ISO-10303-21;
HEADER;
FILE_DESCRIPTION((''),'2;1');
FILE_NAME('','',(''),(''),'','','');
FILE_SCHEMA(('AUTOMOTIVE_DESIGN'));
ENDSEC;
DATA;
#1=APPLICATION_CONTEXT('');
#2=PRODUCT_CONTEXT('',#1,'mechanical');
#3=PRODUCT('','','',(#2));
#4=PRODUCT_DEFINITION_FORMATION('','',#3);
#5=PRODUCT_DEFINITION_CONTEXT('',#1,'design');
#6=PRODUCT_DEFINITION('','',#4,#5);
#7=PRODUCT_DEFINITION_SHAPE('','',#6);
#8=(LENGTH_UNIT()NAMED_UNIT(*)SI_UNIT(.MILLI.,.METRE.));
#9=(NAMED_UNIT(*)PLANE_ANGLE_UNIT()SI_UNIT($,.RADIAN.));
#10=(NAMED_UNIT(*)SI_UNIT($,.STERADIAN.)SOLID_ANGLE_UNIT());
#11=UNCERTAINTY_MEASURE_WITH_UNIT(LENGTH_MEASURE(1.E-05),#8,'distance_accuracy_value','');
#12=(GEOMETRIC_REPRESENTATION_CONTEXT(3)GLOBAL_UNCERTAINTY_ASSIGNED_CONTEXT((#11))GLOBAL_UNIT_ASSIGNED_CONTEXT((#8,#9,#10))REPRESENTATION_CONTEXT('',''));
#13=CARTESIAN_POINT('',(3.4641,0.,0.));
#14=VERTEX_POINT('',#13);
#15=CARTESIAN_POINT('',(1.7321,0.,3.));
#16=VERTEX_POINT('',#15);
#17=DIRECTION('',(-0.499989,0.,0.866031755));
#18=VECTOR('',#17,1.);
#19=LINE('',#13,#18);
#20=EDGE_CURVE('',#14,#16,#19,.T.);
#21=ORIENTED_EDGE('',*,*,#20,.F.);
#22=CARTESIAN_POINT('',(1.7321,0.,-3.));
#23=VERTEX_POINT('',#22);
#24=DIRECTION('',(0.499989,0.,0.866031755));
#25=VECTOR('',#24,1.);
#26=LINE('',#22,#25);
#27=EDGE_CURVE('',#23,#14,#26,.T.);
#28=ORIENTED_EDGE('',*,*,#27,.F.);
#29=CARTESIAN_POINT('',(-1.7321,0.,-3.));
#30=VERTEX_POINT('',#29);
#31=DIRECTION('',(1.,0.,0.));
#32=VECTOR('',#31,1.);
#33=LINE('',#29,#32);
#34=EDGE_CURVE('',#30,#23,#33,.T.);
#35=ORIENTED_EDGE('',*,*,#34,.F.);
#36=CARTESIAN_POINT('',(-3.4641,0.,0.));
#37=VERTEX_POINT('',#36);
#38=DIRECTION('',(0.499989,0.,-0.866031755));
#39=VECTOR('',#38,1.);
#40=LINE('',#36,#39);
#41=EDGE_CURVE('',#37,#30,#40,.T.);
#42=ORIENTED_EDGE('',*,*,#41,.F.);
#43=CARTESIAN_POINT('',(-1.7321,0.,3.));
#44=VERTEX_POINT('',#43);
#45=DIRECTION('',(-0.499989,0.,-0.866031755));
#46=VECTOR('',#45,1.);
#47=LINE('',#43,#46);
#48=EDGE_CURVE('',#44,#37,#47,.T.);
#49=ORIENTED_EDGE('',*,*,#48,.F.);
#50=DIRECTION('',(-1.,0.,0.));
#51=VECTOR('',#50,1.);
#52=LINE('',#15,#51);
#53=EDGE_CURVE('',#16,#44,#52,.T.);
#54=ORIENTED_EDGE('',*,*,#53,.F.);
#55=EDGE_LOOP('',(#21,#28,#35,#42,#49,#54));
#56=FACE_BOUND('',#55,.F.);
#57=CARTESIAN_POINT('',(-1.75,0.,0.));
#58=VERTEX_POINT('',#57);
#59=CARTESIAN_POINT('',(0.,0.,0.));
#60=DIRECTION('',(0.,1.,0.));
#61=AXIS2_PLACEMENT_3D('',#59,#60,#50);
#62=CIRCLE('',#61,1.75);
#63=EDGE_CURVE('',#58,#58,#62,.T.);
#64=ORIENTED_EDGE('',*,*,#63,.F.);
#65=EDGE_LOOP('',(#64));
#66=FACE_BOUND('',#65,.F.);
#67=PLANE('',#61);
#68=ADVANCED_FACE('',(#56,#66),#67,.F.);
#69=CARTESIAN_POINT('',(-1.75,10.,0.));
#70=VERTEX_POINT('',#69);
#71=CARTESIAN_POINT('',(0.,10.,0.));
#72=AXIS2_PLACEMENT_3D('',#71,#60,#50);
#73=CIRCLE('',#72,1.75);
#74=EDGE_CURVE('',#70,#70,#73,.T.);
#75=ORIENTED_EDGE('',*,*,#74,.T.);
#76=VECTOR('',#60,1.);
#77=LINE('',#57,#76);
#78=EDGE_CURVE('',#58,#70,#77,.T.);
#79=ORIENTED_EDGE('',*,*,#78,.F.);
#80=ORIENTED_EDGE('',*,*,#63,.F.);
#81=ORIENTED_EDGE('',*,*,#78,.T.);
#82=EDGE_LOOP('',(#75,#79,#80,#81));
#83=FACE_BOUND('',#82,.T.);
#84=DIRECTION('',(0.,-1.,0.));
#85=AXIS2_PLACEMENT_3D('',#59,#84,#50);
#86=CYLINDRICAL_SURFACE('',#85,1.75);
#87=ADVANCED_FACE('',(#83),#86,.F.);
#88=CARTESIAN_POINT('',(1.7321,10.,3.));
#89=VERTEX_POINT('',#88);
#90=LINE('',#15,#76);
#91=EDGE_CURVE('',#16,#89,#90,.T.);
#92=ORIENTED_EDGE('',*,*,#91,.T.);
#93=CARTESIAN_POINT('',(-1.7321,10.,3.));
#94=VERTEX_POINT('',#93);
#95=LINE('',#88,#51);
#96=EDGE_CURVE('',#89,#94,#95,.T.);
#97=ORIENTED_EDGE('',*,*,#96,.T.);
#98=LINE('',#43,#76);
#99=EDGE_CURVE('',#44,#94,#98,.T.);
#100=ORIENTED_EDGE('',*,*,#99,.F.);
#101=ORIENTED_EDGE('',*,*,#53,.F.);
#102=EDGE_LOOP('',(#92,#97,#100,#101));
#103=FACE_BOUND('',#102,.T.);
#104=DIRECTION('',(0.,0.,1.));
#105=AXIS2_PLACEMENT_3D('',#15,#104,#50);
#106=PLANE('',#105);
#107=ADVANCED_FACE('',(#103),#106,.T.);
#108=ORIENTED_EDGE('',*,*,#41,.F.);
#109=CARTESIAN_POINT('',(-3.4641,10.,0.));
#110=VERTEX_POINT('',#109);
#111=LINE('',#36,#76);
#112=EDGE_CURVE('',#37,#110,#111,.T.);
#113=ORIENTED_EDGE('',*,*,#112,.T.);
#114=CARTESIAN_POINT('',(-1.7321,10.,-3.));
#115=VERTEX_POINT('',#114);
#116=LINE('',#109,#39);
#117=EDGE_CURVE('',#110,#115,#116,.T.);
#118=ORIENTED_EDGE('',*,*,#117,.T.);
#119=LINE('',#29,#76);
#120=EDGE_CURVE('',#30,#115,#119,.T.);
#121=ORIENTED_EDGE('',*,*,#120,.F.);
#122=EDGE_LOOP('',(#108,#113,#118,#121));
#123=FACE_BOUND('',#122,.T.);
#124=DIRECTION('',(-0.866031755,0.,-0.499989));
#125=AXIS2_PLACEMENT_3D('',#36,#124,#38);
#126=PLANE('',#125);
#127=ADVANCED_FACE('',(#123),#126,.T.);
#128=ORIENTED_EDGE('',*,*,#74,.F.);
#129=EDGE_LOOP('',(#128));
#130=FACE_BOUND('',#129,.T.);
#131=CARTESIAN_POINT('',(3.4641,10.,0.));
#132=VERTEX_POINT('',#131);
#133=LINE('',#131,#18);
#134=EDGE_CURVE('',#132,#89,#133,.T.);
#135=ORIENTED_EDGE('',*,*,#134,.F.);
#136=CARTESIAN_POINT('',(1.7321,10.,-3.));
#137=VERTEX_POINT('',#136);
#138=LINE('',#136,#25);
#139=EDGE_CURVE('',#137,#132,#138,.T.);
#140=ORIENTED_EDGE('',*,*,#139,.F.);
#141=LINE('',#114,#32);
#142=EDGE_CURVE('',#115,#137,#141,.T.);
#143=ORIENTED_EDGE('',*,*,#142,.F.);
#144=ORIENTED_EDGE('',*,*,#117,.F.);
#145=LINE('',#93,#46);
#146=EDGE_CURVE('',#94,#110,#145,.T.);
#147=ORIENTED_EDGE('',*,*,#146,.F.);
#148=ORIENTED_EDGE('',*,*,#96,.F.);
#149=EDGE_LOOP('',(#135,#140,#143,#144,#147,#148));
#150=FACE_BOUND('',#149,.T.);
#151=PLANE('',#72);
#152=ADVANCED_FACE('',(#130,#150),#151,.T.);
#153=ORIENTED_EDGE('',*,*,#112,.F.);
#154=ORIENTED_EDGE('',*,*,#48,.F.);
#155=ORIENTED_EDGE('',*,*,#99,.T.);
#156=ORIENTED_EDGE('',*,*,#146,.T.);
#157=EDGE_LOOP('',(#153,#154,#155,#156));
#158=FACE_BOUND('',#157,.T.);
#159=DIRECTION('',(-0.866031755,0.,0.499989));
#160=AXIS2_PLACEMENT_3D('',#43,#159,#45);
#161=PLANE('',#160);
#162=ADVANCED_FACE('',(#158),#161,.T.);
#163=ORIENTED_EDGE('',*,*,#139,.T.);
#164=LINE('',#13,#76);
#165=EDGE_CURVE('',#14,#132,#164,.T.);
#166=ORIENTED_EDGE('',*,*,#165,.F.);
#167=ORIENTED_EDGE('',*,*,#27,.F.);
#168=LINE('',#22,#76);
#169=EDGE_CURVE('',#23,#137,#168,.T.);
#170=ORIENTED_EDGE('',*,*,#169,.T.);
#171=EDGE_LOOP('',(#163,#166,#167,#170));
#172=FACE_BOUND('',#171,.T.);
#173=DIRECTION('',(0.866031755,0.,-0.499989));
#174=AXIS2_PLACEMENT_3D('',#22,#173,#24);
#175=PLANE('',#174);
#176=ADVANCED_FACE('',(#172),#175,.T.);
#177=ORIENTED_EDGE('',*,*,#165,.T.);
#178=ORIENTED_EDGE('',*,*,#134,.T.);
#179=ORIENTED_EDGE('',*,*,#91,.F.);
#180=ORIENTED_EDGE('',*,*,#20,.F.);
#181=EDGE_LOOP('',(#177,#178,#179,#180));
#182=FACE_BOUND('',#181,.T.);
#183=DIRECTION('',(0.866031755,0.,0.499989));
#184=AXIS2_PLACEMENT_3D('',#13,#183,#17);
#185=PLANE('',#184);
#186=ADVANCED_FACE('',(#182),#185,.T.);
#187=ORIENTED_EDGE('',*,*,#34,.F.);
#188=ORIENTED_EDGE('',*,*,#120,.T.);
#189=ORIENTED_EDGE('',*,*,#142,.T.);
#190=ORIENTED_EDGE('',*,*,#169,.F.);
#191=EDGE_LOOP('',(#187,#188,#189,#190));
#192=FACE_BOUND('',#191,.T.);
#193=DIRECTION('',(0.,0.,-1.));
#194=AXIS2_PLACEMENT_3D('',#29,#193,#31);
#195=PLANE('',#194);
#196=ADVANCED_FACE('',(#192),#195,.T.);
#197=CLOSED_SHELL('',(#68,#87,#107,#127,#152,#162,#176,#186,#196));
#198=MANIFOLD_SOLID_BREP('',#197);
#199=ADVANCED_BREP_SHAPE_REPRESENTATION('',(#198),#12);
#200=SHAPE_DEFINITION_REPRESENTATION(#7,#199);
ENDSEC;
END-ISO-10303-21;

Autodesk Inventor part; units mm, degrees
ref_plane "YZ Plane" through (0, 0, 0) normal (1, 0, 0) x (0, 1, 0)
ref_plane "XZ Plane" through (0, 0, 0) normal (0, 1, 0) x (-1, 0, 0)
ref_plane "XY Plane" through (0, 0, 0) normal (0, 0, 1) x (1, 0, 0)
sketch "Sketch1" plane through (0, 0, 0) normal (0, 1, 0) x (-1, 0, 0)
  circle A0 centre (0, 0) radius 1.75
  line L0 (3.4641, 0) -> (1.7321, -3)
  line L1 (1.7321, -3) -> (-1.7321, -3)
  line L2 (-1.7321, -3) -> (-3.4641, 0)
  line L3 (-3.4641, 0) -> (-1.7321, 3)
  line L4 (-1.7321, 3) -> (1.7321, 3)
  line L5 (1.7321, 3) -> (3.4641, 0)
  point P0 (0, -3)
  point P1 (0, 3)
  dimension "d0" = 3.5
  dimension "d1" = 6
extrude "Extrusion1" add sketch "Sketch1" along normal blind 10
properties part number "Heated Bed Spacer" material "ABS Plastic"
